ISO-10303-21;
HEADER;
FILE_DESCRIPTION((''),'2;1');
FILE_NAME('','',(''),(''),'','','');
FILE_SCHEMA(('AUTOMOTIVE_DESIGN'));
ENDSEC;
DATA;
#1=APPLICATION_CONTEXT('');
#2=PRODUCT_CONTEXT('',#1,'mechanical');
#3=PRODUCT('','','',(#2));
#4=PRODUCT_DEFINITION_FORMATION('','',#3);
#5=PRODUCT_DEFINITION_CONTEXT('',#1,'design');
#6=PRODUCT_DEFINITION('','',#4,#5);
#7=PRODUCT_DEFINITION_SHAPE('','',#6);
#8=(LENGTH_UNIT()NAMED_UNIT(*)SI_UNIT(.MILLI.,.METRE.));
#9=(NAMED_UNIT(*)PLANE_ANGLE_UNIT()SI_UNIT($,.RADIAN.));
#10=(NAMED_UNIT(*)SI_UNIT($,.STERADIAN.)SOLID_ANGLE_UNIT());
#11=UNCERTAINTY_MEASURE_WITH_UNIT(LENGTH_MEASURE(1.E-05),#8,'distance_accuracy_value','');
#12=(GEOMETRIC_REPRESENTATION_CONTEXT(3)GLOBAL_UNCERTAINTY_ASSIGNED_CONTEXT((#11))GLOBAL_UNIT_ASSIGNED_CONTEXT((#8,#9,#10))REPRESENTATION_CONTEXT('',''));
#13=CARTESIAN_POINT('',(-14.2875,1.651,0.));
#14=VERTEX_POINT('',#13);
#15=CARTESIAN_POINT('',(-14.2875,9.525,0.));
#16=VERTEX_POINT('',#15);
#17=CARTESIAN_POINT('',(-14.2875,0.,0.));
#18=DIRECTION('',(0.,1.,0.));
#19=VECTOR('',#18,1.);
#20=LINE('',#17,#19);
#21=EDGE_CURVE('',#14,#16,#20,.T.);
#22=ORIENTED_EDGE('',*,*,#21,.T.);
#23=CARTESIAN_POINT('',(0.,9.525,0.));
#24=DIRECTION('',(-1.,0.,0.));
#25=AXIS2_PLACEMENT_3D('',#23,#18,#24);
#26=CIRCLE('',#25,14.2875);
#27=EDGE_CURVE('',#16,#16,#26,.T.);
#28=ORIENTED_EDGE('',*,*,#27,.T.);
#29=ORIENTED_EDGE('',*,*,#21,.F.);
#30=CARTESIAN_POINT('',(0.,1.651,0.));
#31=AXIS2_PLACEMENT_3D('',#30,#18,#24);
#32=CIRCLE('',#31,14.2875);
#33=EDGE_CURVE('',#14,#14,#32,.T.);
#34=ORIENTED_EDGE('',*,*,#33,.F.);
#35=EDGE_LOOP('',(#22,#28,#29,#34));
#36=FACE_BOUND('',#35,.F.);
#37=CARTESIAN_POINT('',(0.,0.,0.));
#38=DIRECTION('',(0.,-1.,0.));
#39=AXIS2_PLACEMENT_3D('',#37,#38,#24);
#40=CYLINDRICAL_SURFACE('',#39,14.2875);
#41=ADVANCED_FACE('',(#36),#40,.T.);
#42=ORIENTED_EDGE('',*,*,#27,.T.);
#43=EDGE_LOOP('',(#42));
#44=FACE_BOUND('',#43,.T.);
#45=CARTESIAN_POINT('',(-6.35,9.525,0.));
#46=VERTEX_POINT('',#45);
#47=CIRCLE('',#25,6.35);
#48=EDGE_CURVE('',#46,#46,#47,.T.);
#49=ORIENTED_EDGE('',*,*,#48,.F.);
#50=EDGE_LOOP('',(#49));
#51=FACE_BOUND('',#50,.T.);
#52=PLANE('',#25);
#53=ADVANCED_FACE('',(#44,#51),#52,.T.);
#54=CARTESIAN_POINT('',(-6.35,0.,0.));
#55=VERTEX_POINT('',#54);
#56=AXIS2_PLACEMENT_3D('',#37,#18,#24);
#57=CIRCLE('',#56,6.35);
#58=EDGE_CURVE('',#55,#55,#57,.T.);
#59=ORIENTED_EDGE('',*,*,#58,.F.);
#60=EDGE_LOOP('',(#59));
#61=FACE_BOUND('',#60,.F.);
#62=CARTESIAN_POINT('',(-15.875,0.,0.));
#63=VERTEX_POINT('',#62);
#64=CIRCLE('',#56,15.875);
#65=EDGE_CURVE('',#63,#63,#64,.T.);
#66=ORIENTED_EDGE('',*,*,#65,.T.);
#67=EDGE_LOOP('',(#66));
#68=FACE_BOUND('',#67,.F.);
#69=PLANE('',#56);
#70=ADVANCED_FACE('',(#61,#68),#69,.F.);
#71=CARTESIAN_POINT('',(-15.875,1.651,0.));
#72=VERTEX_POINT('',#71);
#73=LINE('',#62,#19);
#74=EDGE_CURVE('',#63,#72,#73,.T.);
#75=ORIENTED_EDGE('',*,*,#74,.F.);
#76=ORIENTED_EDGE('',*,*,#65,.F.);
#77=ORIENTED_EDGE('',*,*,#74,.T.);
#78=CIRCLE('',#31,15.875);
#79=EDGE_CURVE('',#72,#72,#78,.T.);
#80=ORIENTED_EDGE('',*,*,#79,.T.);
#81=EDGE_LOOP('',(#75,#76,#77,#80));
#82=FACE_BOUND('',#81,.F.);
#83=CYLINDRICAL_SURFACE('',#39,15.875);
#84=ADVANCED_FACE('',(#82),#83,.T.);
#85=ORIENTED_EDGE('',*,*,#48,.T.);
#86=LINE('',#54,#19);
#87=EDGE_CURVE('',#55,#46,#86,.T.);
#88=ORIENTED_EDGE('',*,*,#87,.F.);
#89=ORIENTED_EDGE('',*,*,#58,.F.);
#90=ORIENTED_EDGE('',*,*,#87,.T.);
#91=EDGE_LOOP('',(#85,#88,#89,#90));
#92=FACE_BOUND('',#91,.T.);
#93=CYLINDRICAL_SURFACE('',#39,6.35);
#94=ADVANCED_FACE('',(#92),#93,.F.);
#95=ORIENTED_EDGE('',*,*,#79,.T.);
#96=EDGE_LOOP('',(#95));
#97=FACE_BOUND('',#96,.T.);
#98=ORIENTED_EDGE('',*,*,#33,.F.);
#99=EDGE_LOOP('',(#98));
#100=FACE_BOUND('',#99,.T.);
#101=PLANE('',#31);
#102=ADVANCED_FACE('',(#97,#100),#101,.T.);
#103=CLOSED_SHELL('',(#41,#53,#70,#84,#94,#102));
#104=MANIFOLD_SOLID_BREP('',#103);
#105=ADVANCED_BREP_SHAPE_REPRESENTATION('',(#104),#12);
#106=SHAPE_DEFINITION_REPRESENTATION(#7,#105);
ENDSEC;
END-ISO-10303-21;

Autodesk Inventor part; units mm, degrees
ref_plane "YZ Plane" through (0, 0, 0) normal (1, 0, 0) x (0, 1, 0)
ref_plane "XZ Plane" through (0, 0, 0) normal (0, 1, 0) x (-1, 0, 0)
ref_plane "XY Plane" through (0, 0, 0) normal (0, 0, 1) x (1, 0, 0)
sketch "Sketch1" plane through (0, 0, 0) normal (0, 1, 0) x (-1, 0, 0)
  circle A0 centre (0, 0) radius 14.2875
  circle A1 centre (0, 0) radius 15.875
  circle A2 centre (0, 0) radius 6.35
  dimension "d0" = 28.575
  dimension "d1" = 31.75
  dimension "d2" = 12.7
extrude "Extrusion1" add sketch "Sketch1" along normal blind 9.525 contours A0
extrude "Extrusion2" add sketch "Sketch1" along normal blind 1.651 contours A1
properties part number "HingeBearing"
